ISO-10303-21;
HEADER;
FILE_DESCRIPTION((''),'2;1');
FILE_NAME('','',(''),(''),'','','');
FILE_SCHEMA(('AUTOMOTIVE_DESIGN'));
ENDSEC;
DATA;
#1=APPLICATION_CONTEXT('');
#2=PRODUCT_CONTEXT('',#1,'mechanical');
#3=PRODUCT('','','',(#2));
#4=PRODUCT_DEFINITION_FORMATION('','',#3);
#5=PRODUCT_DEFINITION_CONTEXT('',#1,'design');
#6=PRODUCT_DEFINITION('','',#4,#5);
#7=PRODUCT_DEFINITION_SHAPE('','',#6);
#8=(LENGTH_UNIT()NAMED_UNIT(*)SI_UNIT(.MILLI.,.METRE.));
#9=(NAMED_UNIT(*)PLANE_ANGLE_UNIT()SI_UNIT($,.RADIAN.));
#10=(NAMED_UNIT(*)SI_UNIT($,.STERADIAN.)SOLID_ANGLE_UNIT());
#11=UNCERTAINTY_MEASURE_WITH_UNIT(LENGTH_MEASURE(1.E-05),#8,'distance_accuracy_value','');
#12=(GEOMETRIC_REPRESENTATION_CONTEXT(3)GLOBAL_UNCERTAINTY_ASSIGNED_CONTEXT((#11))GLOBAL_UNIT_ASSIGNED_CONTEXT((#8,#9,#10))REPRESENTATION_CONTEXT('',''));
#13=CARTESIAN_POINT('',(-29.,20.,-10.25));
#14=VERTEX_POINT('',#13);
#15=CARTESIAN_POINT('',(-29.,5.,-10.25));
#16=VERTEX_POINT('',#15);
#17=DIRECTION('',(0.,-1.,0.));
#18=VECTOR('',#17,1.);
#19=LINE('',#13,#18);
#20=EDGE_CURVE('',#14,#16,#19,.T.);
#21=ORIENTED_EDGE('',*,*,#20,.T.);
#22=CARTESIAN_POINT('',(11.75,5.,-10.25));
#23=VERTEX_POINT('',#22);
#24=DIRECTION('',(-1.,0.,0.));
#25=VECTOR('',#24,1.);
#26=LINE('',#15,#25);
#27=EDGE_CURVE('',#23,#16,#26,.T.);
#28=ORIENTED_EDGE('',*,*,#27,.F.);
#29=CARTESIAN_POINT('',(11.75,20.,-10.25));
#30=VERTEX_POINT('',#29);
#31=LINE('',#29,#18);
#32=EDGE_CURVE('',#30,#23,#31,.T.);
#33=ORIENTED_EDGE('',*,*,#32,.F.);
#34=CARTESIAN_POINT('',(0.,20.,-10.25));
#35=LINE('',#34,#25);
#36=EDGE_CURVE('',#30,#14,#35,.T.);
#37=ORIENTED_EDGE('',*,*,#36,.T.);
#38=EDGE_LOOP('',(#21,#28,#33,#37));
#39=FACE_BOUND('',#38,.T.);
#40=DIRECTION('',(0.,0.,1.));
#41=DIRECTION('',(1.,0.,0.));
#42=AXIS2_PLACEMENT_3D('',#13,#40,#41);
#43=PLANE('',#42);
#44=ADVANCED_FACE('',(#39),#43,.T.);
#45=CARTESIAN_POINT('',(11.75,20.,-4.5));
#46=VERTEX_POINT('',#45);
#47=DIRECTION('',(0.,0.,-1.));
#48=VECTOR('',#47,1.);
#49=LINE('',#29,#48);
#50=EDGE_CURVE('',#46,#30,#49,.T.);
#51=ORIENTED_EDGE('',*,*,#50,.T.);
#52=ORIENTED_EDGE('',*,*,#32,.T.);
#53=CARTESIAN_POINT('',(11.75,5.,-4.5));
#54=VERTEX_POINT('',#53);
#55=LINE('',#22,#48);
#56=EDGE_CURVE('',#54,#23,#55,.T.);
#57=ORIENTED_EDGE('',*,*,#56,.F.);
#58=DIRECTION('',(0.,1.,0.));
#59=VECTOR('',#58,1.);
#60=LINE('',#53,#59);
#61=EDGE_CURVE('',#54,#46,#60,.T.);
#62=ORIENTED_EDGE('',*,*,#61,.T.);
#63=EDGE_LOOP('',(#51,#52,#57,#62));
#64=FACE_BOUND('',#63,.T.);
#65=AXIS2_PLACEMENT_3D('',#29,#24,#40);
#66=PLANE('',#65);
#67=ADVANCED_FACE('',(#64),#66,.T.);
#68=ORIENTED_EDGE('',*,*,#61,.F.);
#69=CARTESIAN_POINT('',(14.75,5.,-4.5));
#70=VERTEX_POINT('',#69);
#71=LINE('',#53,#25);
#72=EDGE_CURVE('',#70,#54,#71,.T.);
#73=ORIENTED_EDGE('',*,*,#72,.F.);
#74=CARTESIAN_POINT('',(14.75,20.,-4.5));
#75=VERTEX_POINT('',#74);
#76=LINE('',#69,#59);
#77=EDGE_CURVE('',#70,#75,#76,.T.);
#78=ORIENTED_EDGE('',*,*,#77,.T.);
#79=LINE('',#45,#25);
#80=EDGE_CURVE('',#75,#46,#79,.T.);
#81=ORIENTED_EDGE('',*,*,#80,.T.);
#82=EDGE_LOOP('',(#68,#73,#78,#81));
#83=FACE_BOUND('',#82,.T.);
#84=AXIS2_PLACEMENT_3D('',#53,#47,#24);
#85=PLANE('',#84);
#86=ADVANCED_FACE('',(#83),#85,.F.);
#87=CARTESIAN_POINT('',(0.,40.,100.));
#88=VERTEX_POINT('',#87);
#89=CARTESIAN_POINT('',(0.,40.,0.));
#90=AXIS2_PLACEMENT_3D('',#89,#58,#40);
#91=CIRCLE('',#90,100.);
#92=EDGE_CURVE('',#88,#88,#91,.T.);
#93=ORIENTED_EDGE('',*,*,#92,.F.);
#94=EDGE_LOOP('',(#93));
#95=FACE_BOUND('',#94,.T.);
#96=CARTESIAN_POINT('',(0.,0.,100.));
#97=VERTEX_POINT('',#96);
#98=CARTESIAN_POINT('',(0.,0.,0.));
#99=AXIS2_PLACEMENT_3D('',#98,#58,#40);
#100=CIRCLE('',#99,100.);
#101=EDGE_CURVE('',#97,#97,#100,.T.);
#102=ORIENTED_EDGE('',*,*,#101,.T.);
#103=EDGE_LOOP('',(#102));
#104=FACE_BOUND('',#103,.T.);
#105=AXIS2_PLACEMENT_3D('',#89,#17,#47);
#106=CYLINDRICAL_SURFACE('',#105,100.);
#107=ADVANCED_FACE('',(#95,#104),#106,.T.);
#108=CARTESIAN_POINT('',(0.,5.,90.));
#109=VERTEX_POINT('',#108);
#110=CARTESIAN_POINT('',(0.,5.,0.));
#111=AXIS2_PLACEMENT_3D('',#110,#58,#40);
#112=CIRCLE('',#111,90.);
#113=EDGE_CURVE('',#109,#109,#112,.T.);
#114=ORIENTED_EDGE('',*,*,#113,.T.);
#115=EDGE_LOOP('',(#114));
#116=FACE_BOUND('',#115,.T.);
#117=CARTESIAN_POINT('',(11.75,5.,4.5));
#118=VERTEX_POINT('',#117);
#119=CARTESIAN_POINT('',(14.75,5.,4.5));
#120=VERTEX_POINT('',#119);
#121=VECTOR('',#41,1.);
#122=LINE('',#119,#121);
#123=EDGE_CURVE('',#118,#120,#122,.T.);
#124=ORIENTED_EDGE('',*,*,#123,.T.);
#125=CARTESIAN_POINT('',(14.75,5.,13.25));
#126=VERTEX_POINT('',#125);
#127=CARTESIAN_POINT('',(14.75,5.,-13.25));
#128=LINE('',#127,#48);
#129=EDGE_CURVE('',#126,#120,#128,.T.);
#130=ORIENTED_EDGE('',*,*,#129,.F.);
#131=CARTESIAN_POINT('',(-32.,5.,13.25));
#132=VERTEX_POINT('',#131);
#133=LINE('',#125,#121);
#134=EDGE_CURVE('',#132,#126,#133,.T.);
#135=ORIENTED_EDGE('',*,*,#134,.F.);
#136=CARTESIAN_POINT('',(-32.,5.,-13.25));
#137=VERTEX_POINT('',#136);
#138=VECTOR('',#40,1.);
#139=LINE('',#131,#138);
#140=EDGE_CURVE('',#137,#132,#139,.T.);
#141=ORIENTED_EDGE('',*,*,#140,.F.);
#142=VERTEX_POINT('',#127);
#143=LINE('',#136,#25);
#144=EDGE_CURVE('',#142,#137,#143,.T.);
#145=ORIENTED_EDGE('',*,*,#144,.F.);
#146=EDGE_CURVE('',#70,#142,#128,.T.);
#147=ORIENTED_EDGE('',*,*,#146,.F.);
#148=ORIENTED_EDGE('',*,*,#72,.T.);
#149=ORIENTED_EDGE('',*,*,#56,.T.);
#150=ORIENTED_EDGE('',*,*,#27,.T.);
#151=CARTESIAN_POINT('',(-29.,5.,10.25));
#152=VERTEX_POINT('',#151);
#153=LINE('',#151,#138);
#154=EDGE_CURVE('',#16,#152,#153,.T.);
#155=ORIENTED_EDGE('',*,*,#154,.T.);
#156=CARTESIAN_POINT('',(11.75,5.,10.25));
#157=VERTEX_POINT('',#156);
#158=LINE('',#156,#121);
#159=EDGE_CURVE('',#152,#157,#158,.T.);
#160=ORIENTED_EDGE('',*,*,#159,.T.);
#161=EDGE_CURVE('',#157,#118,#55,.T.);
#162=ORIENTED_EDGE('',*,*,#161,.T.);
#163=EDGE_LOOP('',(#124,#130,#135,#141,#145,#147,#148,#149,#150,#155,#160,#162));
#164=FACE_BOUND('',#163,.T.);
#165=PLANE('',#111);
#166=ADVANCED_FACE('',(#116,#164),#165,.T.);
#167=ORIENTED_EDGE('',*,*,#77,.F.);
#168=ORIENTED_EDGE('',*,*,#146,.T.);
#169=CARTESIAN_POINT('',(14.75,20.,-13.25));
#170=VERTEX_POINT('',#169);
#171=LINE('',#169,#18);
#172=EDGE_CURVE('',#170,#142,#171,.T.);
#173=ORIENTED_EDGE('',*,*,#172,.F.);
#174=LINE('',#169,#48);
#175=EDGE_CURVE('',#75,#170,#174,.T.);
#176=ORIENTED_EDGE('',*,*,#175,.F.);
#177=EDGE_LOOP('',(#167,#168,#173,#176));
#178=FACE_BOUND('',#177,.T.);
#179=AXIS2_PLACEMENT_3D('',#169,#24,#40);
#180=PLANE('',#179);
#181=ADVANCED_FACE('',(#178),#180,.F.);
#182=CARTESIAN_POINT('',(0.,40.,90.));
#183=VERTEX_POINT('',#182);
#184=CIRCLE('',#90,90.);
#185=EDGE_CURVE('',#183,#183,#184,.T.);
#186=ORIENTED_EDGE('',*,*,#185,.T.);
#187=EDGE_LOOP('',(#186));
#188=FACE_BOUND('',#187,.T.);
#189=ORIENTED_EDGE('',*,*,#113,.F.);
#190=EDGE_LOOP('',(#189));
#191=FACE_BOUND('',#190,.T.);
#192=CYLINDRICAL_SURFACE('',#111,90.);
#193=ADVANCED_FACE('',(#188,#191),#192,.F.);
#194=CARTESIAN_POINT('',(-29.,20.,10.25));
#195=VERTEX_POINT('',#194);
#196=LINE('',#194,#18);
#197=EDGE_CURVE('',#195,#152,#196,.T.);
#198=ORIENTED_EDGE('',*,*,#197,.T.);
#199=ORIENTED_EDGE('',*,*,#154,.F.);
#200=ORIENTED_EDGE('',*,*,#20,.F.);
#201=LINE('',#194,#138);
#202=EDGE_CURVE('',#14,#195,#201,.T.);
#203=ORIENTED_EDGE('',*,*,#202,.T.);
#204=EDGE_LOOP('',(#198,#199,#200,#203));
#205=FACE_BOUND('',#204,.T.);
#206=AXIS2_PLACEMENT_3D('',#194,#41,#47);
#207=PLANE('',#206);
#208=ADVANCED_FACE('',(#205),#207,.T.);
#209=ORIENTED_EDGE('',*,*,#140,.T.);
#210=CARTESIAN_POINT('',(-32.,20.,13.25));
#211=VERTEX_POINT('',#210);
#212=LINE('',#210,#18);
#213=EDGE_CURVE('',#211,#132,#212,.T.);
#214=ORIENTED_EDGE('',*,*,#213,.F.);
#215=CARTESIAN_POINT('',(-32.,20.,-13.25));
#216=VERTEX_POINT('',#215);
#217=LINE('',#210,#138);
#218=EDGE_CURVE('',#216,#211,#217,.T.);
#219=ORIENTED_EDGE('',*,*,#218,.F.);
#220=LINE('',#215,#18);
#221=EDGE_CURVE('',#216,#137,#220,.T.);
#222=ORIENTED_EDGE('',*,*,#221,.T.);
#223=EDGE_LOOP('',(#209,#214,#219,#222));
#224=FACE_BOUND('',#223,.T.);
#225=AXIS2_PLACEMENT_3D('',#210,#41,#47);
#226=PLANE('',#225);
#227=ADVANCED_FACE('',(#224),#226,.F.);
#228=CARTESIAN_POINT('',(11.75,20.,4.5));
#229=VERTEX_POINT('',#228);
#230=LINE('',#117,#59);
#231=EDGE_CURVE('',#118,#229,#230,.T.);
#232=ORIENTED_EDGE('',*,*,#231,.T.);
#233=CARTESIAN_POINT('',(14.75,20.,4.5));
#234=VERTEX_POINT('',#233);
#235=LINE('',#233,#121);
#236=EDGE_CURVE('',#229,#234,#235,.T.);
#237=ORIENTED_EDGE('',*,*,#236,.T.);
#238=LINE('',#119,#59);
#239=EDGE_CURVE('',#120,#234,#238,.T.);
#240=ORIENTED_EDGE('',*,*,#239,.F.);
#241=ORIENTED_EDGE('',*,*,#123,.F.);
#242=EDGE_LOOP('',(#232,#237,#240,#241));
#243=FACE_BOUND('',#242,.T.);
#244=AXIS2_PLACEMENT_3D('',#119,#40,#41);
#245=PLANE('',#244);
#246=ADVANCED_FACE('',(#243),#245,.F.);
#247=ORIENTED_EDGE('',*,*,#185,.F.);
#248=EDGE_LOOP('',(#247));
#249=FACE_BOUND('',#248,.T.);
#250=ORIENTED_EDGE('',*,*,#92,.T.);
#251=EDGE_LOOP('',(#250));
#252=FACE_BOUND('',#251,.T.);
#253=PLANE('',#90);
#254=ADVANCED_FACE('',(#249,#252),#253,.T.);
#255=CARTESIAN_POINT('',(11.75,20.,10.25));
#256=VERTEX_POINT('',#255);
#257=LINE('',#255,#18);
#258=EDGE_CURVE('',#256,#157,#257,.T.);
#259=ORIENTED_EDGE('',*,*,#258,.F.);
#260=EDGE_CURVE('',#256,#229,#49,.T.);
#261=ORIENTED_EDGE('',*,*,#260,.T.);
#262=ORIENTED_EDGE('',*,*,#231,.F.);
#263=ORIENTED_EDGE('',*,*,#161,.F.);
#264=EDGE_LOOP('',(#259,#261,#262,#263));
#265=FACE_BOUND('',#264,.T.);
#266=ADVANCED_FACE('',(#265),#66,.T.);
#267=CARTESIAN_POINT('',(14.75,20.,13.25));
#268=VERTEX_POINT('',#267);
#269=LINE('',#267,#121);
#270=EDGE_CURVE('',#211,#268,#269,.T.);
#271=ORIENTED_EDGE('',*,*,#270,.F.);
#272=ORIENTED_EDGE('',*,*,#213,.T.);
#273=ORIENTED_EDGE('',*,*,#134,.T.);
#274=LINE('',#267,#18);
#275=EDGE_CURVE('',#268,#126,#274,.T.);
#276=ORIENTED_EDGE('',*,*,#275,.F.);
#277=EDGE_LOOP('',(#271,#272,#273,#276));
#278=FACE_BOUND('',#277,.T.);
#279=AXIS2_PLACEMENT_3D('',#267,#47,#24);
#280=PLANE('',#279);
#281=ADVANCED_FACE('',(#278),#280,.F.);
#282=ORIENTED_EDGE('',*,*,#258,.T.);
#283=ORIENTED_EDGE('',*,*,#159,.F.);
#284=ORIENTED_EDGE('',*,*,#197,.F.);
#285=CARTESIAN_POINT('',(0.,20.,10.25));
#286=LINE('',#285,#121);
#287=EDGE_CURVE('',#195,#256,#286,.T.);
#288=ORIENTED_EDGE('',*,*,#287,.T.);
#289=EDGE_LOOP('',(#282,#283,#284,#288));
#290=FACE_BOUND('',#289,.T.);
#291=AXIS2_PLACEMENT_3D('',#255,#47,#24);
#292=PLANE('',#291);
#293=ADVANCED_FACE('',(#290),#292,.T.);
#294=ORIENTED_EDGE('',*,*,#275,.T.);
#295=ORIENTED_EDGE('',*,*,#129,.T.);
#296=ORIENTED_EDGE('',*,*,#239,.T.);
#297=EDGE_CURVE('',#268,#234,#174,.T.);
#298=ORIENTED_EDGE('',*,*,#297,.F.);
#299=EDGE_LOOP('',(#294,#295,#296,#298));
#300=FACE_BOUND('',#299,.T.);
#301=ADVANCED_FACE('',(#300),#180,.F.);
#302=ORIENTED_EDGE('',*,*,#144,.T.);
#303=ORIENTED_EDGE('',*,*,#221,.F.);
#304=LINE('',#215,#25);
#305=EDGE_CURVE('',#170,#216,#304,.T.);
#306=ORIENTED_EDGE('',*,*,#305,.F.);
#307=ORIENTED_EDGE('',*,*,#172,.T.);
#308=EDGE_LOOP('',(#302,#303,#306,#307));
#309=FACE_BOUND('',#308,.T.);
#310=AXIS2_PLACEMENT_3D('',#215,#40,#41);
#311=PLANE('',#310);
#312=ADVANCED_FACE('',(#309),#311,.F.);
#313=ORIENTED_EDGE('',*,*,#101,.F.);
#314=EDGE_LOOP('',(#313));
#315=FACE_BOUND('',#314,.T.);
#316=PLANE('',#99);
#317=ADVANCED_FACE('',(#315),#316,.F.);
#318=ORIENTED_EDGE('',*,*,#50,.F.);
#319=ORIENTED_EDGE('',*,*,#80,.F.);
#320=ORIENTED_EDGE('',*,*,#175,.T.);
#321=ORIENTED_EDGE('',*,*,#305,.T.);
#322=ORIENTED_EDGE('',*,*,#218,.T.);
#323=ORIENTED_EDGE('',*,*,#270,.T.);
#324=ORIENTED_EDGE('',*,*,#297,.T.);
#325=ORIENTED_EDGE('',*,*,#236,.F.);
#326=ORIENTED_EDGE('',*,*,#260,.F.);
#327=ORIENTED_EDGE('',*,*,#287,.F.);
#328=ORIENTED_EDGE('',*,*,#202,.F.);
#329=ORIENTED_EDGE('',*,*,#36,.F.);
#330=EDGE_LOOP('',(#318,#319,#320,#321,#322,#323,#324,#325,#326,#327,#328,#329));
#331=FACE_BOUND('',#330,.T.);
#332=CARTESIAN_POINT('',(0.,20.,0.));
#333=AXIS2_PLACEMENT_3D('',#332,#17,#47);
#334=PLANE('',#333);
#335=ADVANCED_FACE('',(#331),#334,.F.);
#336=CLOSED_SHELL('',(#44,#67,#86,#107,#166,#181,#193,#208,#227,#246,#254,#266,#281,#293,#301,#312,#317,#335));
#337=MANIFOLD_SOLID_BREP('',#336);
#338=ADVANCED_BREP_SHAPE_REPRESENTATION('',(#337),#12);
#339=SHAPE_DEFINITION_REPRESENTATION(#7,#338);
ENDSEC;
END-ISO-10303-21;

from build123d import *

# Parameters (mm, degrees)
SKETCH1_R           = 100
BOSS_EXTRUDE1_DEPTH = 40
SKETCH2_R           = 90
CUT_EXTRUDE1_DEPTH  = 35
SKETCH3_W           = 46.75
SKETCH3_H           = 26.5
BOSS_EXTRUDE2_DEPTH = 15
SKETCH4_W           = 3
SKETCH4_H           = 9
CUT_EXTRUDE2_DEPTH  = 15


with BuildPart() as part:
    # Sketch1 → Boss-Extrude1 (new body)
    with BuildSketch(Plane(origin=(0, 0, 0), x_dir=(1, 0, 0), z_dir=(0, 1, 0))):
        with Locations(Location((0, 0, 0), (0, 0, 270))):
            Circle(SKETCH1_R)
    extrude(amount=BOSS_EXTRUDE1_DEPTH)

    # Sketch2 → Cut-Extrude1 (cut)
    with BuildSketch(Plane(origin=(0, 40, 0), x_dir=(1, 0, 0), z_dir=(0, 1, 0))):
        with Locations(Location((0, 0, 0), (0, 0, 270))):
            Circle(SKETCH2_R)
    extrude(amount=-CUT_EXTRUDE1_DEPTH, mode=Mode.SUBTRACT)

    # Sketch3 → Boss-Extrude2 (add)
    with BuildSketch(Plane(origin=(0, 5, 0), x_dir=(1, 0, 0), z_dir=(0, 1, 0))):
        with Locations((-8.625, 0)):
            Rectangle(SKETCH3_W, SKETCH3_H)
        Polygon((0, 10.25), (11.75, 10.25), (11.75, -10.25), (0, -10.25), (-29, -10.25), (-29, 10.25), align=None, mode=Mode.SUBTRACT)
    extrude(amount=BOSS_EXTRUDE2_DEPTH)

    # Sketch4 → Cut-Extrude2 (cut)
    with BuildSketch(Plane(origin=(0, 20, 0), x_dir=(1, 0, 0), z_dir=(0, 1, 0))):
        with Locations((13.25, 0)):
            Rectangle(SKETCH4_W, SKETCH4_H)
    extrude(amount=-CUT_EXTRUDE2_DEPTH, mode=Mode.SUBTRACT)


solid = part.part
